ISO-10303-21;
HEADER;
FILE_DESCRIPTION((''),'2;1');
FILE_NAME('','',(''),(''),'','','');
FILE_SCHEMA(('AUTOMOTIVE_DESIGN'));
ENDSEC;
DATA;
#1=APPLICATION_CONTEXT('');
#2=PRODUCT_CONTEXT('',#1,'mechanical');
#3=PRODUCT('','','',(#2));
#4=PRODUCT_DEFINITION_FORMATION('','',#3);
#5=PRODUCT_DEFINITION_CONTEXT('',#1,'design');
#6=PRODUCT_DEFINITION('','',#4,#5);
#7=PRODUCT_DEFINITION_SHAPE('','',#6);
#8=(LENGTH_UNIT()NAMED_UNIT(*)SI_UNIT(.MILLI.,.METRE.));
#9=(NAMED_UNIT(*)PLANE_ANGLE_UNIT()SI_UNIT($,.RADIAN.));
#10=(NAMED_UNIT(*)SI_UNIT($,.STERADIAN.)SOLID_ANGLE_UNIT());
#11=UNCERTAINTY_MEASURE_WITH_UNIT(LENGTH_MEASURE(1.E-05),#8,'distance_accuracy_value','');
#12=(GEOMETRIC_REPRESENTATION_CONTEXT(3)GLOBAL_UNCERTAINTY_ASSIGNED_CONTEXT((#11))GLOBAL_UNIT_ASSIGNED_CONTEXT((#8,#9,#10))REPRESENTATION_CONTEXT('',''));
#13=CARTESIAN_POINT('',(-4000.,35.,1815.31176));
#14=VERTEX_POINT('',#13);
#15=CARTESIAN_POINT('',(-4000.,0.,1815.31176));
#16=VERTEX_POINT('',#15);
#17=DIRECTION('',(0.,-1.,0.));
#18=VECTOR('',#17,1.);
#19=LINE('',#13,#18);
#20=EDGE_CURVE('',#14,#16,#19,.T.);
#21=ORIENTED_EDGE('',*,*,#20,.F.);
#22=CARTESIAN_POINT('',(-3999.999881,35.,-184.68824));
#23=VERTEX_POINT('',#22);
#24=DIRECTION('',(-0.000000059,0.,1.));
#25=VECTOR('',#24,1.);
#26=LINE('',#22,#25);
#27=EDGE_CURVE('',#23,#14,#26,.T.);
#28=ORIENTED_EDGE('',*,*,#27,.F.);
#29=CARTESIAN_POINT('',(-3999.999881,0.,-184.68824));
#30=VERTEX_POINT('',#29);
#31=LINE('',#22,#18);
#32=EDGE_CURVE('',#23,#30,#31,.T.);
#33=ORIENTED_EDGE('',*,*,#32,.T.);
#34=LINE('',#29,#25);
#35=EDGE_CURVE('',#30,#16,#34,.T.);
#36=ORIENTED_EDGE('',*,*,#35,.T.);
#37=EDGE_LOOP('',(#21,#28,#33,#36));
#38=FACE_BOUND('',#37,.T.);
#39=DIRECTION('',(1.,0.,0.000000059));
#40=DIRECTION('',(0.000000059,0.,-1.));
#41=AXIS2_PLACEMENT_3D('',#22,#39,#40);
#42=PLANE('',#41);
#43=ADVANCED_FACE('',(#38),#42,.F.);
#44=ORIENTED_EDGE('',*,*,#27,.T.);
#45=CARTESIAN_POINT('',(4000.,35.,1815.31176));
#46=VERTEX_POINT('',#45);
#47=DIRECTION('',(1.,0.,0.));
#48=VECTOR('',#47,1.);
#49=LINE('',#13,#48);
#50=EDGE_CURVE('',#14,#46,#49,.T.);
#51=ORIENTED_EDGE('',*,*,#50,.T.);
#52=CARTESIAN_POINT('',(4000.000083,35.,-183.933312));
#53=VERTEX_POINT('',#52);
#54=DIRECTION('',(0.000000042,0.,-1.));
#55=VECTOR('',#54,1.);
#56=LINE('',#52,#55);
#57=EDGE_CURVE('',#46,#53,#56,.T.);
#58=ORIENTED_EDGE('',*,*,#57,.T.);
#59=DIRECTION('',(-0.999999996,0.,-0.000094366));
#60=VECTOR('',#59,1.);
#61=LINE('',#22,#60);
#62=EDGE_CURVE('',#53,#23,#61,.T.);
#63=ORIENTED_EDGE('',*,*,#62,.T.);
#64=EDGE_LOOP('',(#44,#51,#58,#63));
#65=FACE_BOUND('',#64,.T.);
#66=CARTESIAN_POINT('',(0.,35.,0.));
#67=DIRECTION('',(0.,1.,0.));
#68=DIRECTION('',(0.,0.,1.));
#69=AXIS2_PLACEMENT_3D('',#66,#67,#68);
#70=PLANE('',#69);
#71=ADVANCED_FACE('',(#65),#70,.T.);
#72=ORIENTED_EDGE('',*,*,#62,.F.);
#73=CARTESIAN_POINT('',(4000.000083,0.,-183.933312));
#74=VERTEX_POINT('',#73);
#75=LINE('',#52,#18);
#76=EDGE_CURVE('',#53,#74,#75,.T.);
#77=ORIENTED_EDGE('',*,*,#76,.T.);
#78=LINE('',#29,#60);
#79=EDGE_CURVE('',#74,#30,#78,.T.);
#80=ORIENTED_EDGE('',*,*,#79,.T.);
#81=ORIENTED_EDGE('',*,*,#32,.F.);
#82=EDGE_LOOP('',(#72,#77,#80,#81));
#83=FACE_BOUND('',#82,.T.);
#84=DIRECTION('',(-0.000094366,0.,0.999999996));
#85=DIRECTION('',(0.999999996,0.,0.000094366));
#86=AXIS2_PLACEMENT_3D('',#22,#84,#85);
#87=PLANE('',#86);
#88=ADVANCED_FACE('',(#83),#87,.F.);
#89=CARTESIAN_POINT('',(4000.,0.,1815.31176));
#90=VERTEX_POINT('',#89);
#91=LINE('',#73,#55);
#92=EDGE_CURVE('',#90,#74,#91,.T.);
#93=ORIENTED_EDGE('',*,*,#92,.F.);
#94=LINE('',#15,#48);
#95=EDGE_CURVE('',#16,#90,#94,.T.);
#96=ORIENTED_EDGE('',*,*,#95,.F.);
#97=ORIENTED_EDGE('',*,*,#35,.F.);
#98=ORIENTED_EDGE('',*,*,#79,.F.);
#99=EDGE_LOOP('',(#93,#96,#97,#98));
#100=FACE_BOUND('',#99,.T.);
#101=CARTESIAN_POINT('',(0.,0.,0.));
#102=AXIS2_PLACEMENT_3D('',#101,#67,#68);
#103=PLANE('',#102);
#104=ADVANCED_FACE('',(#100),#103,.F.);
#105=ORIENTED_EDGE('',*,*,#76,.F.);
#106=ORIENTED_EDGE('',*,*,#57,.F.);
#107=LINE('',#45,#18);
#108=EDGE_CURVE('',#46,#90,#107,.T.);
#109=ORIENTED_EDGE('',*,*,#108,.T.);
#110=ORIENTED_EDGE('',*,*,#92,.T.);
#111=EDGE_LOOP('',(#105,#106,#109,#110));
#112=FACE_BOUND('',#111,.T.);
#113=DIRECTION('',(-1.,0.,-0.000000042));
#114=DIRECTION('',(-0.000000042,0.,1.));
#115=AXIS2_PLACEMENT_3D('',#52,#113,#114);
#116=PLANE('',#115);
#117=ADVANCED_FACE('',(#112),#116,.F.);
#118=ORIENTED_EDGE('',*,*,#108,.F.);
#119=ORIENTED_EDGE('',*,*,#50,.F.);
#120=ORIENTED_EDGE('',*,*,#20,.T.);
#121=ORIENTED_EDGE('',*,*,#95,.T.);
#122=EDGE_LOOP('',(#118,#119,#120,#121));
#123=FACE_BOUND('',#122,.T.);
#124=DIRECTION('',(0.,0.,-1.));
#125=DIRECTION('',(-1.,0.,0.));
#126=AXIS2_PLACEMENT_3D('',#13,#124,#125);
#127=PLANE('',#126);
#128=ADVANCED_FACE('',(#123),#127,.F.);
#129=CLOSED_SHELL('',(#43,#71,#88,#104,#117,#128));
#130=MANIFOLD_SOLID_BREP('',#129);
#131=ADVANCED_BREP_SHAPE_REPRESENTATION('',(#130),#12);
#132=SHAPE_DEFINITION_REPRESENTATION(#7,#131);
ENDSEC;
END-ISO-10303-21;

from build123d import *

# Parameters (mm, degrees)
BOSS_EXTRUDE1_DEPTH = 35


with BuildPart() as part:
    # Sketch1 → Boss-Extrude1 (new body)
    with BuildSketch(Plane(origin=(0, 0, 0), x_dir=(1, 0, 0), z_dir=(0, 1, 0))):
        Polygon((-3999.999881268, 184.688239937), (4000.000083113, 183.933312447), (4000, -1815.311760063), (-4000, -1815.311760063), align=None)
    extrude(amount=BOSS_EXTRUDE1_DEPTH)


solid = part.part
